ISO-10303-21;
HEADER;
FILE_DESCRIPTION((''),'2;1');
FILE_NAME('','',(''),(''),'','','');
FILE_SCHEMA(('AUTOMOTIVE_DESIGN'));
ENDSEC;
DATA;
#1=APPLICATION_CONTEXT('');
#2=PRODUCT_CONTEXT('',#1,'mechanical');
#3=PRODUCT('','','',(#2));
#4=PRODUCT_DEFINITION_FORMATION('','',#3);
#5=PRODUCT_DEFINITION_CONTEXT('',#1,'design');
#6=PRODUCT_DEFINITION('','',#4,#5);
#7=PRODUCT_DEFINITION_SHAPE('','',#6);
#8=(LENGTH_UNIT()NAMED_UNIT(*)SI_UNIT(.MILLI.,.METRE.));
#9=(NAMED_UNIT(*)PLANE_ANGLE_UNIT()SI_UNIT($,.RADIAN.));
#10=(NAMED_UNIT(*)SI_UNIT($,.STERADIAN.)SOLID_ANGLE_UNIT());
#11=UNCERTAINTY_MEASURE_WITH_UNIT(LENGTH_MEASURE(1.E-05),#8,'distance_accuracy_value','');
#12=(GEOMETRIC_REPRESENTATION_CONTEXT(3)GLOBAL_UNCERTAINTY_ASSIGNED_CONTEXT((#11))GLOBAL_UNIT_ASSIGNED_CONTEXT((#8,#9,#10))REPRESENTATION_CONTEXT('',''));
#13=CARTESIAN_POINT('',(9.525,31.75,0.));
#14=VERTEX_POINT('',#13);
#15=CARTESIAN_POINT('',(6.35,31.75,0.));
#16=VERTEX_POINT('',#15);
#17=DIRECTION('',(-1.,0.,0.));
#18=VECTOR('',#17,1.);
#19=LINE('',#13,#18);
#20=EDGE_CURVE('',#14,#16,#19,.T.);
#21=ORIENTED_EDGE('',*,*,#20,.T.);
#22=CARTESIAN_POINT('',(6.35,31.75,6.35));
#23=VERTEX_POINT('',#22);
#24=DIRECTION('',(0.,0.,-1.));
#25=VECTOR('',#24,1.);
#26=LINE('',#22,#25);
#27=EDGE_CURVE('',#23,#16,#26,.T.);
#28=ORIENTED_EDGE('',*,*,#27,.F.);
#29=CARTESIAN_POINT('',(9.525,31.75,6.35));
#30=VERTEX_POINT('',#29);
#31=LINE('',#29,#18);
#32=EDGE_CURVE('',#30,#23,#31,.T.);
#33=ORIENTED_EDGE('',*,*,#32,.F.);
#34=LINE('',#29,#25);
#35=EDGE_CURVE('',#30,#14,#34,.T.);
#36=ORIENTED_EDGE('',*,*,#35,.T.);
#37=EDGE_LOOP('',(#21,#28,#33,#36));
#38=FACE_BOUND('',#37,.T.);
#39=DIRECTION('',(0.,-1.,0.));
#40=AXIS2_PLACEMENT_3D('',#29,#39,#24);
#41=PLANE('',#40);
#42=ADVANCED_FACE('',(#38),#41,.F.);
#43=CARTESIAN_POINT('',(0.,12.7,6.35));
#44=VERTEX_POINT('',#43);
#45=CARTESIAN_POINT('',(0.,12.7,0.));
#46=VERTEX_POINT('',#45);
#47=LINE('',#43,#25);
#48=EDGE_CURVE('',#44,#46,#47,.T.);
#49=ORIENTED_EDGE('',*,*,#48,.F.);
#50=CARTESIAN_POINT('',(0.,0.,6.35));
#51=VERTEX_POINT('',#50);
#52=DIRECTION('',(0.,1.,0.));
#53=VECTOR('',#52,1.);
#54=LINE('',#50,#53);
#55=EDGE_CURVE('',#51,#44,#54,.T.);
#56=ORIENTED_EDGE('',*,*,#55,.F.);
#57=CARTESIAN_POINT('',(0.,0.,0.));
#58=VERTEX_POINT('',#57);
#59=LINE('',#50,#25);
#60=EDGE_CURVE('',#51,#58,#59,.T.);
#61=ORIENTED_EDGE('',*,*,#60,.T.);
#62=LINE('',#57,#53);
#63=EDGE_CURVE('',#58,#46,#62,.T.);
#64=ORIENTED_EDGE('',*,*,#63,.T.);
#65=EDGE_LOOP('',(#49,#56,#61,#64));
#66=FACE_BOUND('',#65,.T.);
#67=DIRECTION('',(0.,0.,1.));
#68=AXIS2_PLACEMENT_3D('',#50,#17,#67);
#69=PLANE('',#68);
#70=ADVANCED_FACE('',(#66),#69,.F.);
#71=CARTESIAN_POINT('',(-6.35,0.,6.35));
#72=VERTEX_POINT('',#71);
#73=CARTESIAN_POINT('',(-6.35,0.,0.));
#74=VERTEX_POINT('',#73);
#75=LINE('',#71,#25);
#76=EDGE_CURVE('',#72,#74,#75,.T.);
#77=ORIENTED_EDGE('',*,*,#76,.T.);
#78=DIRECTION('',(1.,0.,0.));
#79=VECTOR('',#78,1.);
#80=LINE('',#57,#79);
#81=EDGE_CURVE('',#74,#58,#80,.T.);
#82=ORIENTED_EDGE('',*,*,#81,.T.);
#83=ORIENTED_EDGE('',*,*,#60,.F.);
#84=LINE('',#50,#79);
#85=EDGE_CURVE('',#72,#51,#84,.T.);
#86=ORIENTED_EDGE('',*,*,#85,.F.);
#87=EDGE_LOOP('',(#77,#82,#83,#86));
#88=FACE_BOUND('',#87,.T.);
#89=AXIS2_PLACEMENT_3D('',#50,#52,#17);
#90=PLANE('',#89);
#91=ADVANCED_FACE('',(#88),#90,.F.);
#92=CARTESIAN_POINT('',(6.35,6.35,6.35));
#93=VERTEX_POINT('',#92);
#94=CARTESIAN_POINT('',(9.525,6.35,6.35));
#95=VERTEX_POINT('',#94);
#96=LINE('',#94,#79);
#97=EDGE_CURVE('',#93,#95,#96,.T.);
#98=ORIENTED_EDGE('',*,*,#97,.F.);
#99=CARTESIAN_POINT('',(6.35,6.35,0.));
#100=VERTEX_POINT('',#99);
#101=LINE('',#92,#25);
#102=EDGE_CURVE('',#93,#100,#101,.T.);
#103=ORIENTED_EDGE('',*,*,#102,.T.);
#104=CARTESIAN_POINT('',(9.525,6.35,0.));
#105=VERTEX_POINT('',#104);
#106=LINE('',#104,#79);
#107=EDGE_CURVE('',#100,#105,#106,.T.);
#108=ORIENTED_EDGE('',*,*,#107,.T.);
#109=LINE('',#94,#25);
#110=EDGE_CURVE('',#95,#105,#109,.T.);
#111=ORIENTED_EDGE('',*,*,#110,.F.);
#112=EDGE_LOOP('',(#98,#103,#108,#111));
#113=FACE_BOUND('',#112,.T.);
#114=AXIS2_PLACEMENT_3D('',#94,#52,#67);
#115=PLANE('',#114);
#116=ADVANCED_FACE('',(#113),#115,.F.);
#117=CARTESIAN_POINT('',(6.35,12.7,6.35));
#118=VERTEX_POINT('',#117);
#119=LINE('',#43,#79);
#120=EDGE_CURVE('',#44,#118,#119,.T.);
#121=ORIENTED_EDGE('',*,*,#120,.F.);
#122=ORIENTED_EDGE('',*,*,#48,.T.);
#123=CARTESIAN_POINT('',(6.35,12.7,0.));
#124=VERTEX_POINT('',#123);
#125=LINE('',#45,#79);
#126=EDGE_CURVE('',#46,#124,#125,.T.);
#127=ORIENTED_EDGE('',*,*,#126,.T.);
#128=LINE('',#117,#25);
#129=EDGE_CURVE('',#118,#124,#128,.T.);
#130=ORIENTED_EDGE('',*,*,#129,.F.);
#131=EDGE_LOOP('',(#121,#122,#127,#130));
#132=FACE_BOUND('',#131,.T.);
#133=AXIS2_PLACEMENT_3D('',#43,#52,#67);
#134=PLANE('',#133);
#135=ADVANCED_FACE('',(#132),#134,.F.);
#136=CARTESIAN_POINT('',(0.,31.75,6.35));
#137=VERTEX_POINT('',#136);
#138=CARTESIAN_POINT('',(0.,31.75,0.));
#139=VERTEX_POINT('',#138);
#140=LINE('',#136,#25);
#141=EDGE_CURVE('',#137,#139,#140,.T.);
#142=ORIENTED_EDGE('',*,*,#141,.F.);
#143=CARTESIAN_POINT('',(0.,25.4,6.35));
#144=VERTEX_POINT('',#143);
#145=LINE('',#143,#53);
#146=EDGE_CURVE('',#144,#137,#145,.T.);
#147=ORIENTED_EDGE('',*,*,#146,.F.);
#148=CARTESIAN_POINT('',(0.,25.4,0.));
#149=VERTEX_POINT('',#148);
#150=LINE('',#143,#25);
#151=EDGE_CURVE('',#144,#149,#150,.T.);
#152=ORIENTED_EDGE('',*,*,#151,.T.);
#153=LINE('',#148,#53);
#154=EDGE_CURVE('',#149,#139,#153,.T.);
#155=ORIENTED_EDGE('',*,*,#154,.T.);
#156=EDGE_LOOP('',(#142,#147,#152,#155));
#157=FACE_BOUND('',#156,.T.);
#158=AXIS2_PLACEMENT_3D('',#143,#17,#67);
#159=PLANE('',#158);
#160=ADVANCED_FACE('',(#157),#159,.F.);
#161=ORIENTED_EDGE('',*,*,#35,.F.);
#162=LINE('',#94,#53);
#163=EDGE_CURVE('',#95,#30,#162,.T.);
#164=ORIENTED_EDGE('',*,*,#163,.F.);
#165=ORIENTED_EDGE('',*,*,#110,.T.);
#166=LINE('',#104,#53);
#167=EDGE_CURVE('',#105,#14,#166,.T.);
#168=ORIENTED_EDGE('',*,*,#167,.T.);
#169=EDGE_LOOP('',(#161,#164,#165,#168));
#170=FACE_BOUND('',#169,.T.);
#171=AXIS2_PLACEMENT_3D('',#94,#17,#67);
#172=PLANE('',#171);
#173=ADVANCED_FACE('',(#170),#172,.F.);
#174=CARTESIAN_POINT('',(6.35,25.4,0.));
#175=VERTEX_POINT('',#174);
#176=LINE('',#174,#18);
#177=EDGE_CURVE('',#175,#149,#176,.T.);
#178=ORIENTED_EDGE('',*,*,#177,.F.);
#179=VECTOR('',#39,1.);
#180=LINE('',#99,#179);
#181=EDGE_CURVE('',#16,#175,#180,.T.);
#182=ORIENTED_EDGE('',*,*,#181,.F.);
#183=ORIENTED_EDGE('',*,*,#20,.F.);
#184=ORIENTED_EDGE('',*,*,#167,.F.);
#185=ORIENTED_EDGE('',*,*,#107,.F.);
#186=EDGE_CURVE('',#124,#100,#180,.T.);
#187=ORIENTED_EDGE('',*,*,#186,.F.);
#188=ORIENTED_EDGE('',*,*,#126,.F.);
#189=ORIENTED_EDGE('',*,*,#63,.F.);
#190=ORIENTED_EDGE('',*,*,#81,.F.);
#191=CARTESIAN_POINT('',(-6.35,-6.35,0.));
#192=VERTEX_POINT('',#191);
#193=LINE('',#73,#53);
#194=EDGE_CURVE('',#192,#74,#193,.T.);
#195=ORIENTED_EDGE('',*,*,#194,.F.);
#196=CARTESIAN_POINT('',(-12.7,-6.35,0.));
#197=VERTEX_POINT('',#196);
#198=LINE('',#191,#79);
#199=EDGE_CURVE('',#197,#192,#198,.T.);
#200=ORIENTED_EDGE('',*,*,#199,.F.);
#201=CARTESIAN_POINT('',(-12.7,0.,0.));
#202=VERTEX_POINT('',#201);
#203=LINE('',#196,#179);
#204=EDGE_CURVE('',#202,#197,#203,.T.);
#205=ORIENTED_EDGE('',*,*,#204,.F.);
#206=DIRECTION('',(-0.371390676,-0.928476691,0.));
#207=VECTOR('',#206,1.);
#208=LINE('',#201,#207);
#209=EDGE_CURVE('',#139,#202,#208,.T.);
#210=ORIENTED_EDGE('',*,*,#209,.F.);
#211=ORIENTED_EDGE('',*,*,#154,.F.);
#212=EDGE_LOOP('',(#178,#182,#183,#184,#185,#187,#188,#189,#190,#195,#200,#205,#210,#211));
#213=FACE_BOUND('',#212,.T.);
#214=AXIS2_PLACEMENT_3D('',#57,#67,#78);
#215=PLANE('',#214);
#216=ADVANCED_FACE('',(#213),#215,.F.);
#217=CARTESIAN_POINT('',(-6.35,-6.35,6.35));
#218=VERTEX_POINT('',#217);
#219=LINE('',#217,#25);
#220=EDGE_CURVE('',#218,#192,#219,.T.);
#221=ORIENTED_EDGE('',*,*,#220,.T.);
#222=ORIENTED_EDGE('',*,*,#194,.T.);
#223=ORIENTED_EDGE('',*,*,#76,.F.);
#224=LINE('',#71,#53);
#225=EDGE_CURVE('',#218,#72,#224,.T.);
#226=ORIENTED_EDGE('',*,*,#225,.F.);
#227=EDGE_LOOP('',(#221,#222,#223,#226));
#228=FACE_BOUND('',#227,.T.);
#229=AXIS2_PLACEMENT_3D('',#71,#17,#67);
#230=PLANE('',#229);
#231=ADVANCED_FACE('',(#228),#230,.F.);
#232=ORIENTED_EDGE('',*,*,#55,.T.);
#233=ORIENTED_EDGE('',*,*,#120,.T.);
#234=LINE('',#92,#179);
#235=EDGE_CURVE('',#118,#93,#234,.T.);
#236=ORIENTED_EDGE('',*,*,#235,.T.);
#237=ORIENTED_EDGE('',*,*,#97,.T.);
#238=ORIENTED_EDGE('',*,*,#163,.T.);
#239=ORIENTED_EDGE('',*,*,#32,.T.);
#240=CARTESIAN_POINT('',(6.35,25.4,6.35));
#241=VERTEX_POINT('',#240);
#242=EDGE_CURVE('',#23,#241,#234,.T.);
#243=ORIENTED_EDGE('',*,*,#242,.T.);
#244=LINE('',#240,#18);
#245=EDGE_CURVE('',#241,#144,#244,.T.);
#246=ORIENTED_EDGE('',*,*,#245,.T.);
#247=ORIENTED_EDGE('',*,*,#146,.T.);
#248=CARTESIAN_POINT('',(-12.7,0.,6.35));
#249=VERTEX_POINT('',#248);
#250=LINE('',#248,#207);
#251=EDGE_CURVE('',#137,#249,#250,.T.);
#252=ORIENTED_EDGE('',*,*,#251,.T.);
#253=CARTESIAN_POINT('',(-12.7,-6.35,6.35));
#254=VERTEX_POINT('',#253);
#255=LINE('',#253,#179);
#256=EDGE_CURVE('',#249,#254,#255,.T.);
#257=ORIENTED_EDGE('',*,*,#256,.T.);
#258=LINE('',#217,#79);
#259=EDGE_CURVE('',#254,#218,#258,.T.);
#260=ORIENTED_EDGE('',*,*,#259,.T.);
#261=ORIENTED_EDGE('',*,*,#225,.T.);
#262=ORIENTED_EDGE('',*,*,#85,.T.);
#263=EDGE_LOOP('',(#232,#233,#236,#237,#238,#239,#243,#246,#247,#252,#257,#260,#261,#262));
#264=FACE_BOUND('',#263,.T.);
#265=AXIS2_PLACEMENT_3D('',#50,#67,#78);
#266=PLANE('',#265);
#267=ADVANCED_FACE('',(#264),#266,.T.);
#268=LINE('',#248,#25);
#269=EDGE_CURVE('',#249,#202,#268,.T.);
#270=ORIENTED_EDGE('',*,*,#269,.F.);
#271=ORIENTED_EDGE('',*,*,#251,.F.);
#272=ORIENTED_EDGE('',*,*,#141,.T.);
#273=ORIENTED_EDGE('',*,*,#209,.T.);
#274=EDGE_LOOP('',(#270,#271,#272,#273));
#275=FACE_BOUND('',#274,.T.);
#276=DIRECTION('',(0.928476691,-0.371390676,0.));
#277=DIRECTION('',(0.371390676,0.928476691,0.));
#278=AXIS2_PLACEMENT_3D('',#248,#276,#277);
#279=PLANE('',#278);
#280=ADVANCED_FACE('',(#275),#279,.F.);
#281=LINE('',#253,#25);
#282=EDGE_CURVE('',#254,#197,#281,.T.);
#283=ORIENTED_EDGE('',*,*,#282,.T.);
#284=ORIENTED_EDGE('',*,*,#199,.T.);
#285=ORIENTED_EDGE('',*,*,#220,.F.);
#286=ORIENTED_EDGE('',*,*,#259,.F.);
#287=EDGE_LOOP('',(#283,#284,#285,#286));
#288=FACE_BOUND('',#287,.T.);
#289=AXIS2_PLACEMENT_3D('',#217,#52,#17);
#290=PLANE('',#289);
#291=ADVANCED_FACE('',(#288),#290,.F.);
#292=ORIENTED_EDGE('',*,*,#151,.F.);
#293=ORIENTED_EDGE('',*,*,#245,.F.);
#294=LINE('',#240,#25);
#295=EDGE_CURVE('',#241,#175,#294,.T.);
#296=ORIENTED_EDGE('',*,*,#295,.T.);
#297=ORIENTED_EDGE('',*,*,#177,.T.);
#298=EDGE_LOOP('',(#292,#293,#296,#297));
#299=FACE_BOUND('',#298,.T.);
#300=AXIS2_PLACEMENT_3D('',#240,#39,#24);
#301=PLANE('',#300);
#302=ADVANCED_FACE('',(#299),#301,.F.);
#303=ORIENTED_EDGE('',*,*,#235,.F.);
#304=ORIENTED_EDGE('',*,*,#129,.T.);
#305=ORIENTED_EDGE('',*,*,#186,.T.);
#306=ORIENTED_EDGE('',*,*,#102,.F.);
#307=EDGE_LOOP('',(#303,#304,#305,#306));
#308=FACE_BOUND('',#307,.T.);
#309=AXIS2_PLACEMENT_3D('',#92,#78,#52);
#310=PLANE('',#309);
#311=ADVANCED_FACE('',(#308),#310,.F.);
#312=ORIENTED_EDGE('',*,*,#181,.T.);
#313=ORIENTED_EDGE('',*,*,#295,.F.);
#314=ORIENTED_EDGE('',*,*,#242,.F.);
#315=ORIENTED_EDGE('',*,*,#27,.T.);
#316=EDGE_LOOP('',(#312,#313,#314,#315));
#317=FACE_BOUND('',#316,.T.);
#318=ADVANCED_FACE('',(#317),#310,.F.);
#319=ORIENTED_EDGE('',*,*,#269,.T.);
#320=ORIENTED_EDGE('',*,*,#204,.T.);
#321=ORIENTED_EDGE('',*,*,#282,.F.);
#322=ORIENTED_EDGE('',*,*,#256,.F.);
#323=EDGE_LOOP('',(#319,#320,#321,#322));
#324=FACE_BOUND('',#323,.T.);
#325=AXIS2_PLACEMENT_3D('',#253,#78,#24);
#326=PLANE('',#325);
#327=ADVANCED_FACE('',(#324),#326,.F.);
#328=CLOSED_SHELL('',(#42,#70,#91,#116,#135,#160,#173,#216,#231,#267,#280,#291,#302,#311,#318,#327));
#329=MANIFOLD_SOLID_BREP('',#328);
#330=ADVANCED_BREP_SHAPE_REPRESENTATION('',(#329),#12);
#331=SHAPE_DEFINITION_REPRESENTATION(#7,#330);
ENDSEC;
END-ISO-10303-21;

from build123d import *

# Parameters (mm, degrees)
BOSS_EXTRUDE1_DEPTH = 6.35
SKETCH2_W           = 3.175
SKETCH2_H           = 25.4
BOSS_EXTRUDE2_DEPTH = 6.35


with BuildPart() as part:
    # Sketch1 → Boss-Extrude1 (new body)
    with BuildSketch(Plane.XY):
        Polygon((0, 0), (0, 12.7), (6.35, 12.7), (6.35, 25.4), (0, 25.4), (0, 31.75), (-12.7, 0), (-12.7, -6.35), (-6.35, -6.35), (-6.35, 0), align=None)
    extrude(amount=BOSS_EXTRUDE1_DEPTH)

    # Sketch2 → Boss-Extrude2 (add)
    with BuildSketch(Plane.XY):
        with Locations((7.9375, 19.05)):
            Rectangle(SKETCH2_W, SKETCH2_H)
    extrude(amount=BOSS_EXTRUDE2_DEPTH)


solid = part.part
